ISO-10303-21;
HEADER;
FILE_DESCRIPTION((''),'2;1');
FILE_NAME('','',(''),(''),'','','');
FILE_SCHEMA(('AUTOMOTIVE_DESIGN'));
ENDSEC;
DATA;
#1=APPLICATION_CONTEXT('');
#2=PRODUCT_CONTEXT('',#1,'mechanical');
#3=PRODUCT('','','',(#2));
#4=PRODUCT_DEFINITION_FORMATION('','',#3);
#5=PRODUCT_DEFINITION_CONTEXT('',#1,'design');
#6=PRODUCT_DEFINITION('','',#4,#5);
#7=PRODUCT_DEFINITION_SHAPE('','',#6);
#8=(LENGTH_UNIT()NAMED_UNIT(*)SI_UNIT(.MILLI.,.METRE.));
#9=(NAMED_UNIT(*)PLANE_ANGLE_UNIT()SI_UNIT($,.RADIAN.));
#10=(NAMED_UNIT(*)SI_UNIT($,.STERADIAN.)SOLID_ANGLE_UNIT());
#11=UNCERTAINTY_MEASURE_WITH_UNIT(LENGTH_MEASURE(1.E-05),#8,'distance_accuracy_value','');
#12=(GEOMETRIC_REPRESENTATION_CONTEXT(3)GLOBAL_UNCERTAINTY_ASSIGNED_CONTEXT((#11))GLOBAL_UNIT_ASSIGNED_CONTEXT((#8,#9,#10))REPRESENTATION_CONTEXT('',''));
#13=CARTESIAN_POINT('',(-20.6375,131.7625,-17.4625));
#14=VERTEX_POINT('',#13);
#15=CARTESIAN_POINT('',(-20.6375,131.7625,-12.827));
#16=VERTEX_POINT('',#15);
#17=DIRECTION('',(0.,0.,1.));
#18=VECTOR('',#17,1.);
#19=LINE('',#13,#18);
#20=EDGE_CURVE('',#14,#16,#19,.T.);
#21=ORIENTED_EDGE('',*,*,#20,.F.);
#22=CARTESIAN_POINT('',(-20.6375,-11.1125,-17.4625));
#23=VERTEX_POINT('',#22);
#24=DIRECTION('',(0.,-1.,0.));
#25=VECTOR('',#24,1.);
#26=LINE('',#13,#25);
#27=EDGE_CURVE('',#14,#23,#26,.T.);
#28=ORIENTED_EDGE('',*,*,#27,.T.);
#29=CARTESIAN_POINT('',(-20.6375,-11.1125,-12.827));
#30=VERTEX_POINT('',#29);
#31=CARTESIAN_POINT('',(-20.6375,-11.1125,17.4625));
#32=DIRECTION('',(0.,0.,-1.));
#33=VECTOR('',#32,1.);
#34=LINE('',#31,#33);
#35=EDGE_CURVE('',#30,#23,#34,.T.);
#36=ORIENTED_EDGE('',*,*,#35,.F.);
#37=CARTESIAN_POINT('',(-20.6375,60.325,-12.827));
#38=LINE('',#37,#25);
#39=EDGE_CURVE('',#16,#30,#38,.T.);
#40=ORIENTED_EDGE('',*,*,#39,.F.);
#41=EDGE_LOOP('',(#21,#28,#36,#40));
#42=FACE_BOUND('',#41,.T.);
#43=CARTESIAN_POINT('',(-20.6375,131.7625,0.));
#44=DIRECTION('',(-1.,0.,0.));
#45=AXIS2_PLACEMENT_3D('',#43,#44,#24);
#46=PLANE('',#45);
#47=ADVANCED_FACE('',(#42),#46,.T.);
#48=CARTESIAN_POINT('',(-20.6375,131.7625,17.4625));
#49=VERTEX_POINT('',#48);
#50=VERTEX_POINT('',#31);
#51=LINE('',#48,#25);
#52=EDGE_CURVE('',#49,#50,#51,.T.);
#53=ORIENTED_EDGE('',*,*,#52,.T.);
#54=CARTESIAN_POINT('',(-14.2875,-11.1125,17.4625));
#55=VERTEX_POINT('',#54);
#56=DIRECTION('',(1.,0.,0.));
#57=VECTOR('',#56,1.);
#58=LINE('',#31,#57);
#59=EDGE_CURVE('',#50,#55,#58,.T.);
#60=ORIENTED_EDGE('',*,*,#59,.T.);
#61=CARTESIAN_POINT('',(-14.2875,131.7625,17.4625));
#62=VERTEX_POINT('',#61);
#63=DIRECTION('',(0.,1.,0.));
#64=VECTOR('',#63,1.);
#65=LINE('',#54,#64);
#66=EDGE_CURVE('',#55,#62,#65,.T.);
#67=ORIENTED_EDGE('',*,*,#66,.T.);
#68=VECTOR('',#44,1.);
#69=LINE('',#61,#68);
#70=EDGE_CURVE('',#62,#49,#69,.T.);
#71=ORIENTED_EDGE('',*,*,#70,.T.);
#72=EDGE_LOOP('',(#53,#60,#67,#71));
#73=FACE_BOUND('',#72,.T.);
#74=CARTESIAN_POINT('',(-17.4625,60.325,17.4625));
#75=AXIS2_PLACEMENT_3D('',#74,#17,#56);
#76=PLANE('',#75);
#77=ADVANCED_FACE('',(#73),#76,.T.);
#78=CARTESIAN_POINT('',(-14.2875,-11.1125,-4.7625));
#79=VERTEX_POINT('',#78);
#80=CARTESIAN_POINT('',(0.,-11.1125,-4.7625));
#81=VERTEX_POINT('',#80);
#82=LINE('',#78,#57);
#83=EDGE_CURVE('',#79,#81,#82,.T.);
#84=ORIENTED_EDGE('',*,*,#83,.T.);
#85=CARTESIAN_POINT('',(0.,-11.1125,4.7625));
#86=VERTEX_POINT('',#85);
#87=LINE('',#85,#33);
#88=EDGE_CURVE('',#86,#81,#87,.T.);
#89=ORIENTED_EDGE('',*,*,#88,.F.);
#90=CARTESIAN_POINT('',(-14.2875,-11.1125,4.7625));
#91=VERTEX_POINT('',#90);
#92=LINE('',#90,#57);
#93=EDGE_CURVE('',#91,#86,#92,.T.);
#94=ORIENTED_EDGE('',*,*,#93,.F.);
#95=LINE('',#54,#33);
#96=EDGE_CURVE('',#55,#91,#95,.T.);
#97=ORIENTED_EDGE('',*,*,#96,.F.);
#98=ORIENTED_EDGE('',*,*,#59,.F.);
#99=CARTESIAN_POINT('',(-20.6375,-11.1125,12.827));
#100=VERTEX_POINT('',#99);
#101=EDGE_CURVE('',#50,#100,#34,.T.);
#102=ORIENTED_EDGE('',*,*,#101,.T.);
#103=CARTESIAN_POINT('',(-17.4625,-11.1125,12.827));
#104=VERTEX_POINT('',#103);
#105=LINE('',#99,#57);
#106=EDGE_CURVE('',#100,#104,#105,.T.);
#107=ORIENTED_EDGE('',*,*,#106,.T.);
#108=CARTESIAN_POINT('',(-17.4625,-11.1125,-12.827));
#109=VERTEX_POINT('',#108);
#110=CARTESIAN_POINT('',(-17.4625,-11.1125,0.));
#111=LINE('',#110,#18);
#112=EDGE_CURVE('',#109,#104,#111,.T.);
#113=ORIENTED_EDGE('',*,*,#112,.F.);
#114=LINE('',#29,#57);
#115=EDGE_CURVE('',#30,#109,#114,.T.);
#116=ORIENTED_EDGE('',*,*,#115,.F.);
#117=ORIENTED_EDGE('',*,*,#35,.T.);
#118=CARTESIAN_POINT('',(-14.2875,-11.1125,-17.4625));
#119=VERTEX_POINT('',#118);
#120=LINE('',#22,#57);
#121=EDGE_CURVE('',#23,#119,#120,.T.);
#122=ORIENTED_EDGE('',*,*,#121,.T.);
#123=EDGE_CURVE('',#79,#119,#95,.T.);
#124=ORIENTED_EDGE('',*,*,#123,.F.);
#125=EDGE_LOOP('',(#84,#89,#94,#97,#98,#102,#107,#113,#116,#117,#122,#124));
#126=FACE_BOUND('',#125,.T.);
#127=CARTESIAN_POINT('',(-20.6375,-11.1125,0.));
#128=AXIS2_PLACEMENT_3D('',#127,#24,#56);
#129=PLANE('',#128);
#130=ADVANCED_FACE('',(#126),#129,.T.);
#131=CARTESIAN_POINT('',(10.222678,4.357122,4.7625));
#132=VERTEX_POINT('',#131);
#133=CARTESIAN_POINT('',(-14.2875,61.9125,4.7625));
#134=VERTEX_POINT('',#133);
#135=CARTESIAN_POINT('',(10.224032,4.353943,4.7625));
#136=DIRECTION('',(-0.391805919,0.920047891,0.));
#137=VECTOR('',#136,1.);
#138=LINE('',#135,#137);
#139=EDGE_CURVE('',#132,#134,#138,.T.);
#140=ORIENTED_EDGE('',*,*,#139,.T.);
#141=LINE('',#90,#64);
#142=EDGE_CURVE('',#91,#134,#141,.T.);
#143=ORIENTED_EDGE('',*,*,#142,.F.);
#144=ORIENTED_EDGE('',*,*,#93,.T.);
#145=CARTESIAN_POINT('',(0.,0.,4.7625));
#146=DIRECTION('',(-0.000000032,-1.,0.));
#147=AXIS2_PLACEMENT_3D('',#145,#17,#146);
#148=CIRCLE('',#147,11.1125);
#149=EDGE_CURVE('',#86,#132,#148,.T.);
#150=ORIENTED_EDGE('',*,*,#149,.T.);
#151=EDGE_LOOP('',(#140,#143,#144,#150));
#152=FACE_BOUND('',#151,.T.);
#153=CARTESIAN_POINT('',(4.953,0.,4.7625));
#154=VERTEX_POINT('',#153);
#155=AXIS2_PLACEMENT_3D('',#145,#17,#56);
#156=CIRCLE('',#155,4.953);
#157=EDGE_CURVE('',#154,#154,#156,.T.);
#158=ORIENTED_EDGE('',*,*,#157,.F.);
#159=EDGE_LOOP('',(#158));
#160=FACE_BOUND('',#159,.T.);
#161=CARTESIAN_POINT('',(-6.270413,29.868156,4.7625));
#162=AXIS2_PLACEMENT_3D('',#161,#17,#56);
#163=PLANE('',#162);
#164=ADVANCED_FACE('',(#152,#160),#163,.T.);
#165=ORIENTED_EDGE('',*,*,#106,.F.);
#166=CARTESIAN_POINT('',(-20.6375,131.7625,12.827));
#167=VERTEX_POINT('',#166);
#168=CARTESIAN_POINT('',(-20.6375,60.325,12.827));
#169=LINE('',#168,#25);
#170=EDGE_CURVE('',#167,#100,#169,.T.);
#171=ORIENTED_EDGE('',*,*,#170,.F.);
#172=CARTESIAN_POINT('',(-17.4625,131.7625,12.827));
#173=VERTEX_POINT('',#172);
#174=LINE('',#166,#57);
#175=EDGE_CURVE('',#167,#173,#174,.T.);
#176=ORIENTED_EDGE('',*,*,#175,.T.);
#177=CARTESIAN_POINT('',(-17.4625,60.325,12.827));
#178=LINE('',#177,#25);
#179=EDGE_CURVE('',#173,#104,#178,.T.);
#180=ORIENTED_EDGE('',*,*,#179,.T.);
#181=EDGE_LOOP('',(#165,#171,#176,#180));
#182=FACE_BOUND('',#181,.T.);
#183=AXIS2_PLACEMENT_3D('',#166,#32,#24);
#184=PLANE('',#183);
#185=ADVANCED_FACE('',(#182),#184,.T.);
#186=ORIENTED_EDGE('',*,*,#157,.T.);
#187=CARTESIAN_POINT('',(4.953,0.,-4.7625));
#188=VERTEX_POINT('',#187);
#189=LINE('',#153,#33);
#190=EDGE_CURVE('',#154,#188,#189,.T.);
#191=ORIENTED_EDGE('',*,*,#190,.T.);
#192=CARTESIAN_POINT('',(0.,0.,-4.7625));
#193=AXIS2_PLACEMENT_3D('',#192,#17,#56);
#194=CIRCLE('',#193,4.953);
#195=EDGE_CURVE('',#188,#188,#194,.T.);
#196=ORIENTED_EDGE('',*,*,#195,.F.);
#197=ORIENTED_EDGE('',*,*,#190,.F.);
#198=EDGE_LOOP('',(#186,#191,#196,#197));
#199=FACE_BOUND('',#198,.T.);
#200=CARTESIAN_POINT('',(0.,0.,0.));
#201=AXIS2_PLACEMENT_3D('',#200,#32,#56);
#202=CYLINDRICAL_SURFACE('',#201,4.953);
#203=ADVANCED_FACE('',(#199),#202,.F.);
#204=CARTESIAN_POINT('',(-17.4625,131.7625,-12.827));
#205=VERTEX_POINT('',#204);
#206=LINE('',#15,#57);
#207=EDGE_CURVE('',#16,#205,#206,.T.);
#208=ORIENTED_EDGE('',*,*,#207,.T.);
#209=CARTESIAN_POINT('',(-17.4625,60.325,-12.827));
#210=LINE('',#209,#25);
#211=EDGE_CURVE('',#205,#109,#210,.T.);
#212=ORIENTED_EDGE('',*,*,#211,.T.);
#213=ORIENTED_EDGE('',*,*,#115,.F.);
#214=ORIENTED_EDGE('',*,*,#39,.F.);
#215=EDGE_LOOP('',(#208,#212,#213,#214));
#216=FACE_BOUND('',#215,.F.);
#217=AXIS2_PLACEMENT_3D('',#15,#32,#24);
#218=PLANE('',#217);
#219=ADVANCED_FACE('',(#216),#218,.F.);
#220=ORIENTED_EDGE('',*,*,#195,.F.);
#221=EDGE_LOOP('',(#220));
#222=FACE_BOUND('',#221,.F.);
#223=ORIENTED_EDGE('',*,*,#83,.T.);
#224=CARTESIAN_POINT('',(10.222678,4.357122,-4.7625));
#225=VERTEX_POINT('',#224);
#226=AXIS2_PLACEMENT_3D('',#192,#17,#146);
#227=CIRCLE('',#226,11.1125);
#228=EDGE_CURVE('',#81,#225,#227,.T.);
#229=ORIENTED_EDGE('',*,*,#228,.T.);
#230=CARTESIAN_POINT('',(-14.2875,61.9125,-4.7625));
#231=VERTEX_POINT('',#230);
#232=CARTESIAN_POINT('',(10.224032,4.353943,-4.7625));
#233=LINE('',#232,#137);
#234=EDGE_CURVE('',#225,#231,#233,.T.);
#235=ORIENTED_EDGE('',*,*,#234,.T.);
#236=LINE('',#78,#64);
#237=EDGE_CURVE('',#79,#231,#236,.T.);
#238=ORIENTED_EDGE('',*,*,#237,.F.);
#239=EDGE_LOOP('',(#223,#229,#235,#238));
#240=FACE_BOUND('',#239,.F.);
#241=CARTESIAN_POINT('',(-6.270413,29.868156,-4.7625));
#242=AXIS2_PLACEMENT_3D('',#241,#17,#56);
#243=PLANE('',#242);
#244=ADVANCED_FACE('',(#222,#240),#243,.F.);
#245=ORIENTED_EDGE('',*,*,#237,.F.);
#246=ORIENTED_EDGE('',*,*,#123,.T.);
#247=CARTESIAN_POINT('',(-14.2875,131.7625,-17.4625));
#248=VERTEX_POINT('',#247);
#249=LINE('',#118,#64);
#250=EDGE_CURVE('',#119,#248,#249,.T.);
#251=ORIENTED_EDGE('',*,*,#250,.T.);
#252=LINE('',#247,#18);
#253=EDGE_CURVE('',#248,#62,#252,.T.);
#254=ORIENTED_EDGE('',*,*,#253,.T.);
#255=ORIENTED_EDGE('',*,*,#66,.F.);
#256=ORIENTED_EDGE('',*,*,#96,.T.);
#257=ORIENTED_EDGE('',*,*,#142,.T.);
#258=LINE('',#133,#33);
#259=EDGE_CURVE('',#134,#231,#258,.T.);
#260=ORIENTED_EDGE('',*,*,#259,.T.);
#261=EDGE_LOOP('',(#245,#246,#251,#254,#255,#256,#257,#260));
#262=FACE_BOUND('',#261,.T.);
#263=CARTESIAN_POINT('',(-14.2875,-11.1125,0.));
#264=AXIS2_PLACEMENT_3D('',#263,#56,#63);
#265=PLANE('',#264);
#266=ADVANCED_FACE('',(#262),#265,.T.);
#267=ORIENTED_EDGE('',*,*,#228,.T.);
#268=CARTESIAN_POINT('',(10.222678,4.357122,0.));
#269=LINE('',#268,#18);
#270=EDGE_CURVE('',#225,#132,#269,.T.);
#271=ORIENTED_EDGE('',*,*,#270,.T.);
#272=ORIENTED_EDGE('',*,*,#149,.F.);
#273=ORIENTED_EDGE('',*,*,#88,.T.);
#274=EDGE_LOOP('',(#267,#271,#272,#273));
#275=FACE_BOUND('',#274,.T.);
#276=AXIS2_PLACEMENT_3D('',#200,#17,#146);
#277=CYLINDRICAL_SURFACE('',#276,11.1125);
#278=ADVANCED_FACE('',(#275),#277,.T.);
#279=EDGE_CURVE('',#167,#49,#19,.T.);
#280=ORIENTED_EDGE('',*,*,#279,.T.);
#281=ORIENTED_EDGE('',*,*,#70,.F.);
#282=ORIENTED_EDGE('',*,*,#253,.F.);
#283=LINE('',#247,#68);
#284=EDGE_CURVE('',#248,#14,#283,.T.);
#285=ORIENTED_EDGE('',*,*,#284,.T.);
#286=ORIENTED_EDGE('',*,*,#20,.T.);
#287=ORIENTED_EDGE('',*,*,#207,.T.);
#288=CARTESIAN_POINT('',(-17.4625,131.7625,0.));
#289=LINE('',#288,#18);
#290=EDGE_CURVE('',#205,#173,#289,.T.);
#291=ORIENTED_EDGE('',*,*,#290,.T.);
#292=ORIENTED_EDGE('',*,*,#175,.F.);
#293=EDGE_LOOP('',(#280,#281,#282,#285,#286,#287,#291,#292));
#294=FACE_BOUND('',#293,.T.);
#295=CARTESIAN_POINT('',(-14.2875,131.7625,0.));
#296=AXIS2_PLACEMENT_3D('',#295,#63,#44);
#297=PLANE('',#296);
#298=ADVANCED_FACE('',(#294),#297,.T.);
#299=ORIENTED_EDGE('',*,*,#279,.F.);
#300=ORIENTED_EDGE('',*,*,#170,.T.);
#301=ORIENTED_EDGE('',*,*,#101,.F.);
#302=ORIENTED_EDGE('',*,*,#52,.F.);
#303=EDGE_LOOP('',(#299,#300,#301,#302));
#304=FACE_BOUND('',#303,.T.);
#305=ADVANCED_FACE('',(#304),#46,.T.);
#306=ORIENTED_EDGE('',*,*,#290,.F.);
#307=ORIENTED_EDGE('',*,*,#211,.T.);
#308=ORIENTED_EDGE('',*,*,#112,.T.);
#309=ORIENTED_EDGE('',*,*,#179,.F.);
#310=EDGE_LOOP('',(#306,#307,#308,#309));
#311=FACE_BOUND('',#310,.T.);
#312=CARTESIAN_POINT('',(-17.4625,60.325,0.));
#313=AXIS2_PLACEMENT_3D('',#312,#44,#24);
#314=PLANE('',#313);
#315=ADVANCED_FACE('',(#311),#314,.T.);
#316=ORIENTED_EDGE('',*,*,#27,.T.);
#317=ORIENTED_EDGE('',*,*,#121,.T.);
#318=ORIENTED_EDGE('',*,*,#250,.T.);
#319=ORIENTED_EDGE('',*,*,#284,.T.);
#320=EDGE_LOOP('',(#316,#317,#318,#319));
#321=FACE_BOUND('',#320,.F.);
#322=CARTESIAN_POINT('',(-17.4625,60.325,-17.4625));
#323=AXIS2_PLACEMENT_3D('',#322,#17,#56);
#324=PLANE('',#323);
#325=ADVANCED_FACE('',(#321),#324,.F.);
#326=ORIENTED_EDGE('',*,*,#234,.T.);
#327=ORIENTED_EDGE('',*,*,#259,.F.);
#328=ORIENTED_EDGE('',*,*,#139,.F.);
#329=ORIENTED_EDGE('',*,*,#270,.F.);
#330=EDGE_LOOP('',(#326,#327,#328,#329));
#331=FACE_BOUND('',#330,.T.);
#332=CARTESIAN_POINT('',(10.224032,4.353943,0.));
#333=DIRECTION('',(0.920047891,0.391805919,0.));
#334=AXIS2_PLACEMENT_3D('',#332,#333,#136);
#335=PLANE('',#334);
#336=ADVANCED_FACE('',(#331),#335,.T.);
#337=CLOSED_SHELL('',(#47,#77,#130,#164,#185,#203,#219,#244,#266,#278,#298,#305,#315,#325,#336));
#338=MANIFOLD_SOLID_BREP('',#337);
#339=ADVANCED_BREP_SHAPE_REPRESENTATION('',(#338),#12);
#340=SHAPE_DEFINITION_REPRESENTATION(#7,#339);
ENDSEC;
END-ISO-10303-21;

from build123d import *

# Parameters (mm, degrees)
F0_R     = 4.953
F1_DEPTH = 4.7625
F2_DEPTH = 17.4625
F3_W     = 142.875
F3_H     = 25.654
F4_DEPTH = 3.175
F6_DEPTH = 4.7625
F8_DEPTH = 4.7625


with BuildPart() as f1:
    # F0 (on Top) → F1 (new body, symmetric)
    with BuildSketch(Plane.XY):
        with BuildLine():
            ThreePointArc((9.746036, 5.338768), (5.663947, 9.56072), (0, 11.1125))
            Line((0, 11.1125), (-14.2875, 11.1125))
            Line((-14.2875, 11.1125), (-14.2875, -11.1125))
            Line((-14.2875, -11.1125), (0, -11.1125))
            ThreePointArc((0, -11.1125), (9.56072, -5.663947), (9.746036, 5.338768))
        make_face()
        Circle(F0_R, mode=Mode.SUBTRACT)
    extrude(amount=F1_DEPTH, both=True)

    # F0 (on Top) → F2 (join, symmetric)
    with BuildSketch(Plane.XY):
        Polygon((-14.2875, -11.1125), (-14.2875, 11.1125), (-14.2875, 49.2125), (-14.2875, 131.7625), (-20.6375, 131.7625), (-20.6375, -11.1125), align=None)
    extrude(amount=F2_DEPTH, both=True)

    # F3 (on face) → F4 (cut)
    with BuildSketch(Plane(origin=(-20.6375, 0, 0), x_dir=(0, -1, 0), z_dir=(-1, 0, 0))):
        with Locations((-60.325, 0)):
            Rectangle(F3_W, F3_H)
    extrude(amount=-F4_DEPTH, mode=Mode.SUBTRACT)

    # F5 (on Top) → F8 (join, symmetric)
    with BuildSketch(Plane.XY):
        with BuildLine():
            Line((-14.2875, 11.1125), (0, 11.1125))
            ThreePointArc((0, 11.1125), (6.127987, 9.270136), (10.224032, 4.353943))
            Line((10.224032, 4.353943), (-14.2875, 61.9125))
            Line((-14.2875, 61.9125), (-14.2875, 11.1125))
        make_face()
    extrude(amount=F8_DEPTH, both=True)


with BuildPart() as f6:
    # F5 (on Top) → F6 (new body, symmetric)
    with BuildSketch(Plane.XY):
        with BuildLine():
            Line((-14.2875, 11.1125), (0, 11.1125))
            ThreePointArc((0, 11.1125), (6.127987, 9.270136), (10.224032, 4.353943))
            Line((10.224032, 4.353943), (-14.2875, 61.9125))
            Line((-14.2875, 61.9125), (-14.2875, 11.1125))
        make_face()
    extrude(amount=F6_DEPTH, both=True)


solid = f1.part
